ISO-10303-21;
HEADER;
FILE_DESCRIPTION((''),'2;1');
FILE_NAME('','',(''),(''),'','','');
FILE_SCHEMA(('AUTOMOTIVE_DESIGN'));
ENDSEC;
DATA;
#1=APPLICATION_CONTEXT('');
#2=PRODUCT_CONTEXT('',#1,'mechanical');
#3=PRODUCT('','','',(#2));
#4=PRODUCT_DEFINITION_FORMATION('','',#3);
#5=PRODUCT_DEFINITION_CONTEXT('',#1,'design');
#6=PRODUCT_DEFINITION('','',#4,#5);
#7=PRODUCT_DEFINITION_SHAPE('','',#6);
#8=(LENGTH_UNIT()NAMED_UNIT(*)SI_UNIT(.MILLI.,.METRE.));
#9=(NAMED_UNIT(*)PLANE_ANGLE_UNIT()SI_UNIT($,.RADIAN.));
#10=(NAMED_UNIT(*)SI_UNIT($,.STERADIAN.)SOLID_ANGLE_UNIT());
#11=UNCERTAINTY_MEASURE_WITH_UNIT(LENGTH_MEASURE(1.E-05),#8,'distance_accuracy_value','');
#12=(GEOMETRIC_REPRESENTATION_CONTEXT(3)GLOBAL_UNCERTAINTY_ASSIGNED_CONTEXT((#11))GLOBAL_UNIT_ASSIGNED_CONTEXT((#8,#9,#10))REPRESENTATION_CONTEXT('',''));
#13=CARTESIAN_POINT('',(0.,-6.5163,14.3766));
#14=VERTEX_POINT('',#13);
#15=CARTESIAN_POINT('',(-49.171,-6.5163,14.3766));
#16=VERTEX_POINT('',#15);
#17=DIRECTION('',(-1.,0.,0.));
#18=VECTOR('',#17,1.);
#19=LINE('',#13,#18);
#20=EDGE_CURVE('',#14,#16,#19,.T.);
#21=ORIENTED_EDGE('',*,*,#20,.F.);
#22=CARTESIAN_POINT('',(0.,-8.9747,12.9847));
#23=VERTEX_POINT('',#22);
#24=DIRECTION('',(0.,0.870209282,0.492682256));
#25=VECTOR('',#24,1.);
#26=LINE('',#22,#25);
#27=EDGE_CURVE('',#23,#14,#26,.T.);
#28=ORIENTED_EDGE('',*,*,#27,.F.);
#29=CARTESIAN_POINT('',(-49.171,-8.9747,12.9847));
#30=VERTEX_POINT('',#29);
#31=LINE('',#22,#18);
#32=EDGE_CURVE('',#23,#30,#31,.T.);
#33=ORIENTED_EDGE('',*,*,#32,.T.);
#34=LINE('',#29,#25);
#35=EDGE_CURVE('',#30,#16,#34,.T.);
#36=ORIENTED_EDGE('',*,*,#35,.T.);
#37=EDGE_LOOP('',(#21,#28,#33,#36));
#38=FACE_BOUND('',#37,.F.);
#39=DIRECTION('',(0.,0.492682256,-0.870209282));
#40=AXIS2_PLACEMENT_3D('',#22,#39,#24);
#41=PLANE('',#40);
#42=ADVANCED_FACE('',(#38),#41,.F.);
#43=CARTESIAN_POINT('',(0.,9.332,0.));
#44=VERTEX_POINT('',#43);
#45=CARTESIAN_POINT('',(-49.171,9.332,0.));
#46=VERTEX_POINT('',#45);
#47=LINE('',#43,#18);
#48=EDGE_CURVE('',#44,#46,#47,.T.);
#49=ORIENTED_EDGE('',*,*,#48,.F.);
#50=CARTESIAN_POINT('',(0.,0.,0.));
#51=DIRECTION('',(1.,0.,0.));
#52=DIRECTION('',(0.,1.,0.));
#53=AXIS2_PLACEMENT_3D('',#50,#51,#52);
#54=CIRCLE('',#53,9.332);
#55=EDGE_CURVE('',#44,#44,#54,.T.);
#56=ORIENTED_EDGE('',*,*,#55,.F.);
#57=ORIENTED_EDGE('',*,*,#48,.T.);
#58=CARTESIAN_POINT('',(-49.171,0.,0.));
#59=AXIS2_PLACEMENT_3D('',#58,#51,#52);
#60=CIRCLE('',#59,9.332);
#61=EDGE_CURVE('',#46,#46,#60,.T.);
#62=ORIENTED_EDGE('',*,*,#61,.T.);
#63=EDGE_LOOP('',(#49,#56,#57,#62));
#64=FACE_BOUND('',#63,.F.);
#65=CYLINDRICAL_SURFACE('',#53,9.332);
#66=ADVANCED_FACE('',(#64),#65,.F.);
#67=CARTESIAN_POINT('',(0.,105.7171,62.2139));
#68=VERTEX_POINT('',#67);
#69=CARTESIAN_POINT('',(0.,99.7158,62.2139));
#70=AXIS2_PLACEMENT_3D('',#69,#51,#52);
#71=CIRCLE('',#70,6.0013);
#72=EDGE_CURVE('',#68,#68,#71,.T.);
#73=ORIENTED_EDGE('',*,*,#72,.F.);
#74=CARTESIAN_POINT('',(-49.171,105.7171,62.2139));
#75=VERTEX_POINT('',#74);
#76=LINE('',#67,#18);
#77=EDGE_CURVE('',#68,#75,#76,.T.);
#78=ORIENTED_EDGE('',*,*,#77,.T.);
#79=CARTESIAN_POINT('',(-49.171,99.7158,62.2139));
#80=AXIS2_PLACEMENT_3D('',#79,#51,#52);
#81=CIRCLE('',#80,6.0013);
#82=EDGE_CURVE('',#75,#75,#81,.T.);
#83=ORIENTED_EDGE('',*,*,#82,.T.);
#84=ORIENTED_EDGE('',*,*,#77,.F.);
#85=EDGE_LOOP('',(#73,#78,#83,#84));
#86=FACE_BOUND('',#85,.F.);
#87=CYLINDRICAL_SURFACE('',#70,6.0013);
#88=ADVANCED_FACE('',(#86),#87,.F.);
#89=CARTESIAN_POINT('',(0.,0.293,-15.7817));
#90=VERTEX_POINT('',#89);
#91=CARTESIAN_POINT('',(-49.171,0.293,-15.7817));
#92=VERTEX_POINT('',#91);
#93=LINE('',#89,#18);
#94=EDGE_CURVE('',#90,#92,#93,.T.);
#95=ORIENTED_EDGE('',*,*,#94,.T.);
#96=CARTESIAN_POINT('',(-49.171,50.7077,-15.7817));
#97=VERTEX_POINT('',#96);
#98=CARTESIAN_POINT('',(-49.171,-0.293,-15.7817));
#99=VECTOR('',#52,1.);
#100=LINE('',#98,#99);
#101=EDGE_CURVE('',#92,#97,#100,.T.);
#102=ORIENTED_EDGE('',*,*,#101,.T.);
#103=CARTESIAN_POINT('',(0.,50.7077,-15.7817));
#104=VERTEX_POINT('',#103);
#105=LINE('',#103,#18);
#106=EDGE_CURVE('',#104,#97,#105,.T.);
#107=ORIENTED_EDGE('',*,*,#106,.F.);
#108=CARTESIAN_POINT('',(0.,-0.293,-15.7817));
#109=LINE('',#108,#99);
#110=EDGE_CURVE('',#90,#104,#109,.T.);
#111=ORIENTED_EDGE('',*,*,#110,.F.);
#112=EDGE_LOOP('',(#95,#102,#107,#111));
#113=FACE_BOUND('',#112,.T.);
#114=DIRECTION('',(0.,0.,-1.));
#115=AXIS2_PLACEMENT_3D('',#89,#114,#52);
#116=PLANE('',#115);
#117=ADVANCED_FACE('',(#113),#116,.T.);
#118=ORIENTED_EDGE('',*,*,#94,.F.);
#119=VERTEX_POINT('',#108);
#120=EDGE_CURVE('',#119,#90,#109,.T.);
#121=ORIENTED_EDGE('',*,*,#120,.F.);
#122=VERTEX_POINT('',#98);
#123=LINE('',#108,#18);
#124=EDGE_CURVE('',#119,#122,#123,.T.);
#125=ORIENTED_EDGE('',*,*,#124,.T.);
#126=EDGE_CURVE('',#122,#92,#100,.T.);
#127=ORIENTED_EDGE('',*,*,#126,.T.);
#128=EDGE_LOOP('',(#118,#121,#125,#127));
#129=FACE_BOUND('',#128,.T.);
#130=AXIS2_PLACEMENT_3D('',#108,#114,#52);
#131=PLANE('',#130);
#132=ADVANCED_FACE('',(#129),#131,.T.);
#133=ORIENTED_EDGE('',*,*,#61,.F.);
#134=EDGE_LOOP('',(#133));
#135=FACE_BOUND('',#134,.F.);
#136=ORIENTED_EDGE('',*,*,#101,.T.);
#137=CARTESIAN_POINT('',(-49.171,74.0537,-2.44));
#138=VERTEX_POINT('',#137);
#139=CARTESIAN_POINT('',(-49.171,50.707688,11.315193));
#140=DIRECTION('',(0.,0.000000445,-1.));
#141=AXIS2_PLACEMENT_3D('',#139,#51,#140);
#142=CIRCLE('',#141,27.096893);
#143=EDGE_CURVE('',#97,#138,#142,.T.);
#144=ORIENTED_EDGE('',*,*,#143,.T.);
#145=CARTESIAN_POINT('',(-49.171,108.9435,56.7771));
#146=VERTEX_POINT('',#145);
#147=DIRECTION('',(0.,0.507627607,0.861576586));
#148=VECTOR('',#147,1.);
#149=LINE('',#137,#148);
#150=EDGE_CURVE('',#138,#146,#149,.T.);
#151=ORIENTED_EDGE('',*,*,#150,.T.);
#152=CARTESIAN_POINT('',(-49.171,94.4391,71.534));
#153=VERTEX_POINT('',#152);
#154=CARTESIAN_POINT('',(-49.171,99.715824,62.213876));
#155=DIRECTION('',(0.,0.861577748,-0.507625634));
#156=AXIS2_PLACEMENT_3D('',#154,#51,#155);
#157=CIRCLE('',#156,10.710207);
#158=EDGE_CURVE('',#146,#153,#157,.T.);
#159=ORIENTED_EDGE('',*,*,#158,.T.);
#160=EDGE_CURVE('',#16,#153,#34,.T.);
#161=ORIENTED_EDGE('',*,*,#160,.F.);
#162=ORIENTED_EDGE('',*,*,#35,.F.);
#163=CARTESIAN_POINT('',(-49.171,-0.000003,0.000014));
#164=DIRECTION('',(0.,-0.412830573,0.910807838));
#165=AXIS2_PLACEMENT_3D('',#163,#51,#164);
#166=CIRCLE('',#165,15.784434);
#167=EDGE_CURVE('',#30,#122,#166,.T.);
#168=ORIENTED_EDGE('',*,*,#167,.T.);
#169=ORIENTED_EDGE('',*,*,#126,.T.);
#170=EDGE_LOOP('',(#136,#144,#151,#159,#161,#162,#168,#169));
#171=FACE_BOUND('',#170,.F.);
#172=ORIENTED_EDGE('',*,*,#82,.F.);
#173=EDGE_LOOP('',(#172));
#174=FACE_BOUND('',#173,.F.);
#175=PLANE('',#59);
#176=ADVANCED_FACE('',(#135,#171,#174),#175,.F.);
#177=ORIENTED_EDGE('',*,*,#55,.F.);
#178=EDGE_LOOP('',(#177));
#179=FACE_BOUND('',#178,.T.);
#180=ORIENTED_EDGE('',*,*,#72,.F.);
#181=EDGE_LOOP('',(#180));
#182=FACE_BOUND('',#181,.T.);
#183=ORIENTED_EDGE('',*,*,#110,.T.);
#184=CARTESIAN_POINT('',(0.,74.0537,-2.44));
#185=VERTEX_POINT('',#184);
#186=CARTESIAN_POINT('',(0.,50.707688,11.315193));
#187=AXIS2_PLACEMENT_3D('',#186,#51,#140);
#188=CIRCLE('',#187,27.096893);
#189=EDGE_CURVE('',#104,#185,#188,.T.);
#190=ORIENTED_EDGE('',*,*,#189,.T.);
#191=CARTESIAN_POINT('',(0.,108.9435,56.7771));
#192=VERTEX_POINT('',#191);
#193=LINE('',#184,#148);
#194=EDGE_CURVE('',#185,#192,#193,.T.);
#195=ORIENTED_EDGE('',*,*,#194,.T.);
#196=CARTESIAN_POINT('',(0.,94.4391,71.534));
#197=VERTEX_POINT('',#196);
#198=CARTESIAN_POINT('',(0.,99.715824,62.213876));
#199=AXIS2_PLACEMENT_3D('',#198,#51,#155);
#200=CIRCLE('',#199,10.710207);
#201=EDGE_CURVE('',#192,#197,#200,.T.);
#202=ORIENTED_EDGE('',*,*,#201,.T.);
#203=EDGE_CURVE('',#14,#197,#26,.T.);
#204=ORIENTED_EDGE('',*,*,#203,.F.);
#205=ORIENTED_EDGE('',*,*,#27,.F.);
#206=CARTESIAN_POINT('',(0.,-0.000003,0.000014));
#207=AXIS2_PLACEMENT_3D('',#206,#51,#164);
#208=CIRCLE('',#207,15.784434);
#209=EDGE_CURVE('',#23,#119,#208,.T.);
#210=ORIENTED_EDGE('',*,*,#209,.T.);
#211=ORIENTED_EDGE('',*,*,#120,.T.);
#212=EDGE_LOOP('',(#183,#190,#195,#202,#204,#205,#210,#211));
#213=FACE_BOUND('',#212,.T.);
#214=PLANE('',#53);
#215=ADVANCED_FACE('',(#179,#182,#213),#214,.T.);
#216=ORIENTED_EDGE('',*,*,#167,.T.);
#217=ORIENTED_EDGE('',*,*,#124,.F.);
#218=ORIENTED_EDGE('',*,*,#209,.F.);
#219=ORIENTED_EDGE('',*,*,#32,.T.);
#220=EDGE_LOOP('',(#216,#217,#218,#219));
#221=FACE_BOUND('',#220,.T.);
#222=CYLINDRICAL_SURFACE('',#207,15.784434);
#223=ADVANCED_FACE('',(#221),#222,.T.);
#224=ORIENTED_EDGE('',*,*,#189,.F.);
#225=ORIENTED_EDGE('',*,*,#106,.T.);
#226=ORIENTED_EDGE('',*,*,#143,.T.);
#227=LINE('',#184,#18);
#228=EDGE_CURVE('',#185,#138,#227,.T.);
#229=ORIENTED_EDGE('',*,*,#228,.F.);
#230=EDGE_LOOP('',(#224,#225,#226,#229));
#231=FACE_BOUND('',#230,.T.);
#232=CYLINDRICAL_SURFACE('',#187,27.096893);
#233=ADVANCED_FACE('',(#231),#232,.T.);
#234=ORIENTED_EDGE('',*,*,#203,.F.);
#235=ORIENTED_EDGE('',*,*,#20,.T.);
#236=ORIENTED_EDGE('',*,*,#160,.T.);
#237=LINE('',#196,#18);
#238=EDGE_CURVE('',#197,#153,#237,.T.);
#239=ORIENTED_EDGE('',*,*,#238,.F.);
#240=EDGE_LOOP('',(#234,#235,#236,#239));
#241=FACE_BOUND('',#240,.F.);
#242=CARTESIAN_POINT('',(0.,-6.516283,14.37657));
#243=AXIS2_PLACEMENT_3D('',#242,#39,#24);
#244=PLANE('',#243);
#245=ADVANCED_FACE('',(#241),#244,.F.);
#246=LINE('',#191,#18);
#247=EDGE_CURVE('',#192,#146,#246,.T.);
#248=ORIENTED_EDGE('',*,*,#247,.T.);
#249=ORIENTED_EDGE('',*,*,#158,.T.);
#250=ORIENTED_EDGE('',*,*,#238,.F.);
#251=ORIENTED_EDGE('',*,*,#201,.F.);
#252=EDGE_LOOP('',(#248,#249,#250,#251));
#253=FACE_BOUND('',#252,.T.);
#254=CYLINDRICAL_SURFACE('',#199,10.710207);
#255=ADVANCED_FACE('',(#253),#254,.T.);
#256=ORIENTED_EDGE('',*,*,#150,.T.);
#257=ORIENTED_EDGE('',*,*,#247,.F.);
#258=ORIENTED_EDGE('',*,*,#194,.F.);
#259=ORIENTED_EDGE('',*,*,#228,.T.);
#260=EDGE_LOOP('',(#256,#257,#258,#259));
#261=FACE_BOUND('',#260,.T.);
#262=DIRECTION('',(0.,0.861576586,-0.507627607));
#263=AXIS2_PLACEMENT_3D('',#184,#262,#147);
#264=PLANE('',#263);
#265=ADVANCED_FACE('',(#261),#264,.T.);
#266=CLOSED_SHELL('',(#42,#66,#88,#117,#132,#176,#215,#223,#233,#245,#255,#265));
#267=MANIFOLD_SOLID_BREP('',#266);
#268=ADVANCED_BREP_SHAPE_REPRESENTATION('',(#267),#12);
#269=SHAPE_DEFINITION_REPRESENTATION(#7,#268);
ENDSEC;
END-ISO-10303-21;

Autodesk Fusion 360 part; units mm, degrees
sketch "Sketch1" plane through (0, 0, 0) normal (1, 0, 0) x (0, 1, 0)
  circle A0 centre (0, 0) radius 9.332
  line L0 (-0.293, -15.7817) -> (50.7077, -15.7817)
  line L1 (74.0537, -2.44) -> (108.9435, 56.7771)
  line L2 (-8.9747, 12.9847) -> (94.4391, 71.534)
  arc A1 (50.7077, -15.7817) -> (74.0537, -2.44) centre (50.7077, 11.3152) ccw
  arc A2 (-6.5163, 14.3766) -> (0.293, -15.7817) centre (0, 0) ccw
  arc A3 (108.9435, 56.7771) -> (94.4391, 71.534) centre (99.7158, 62.2139) ccw
  circle A4 centre (99.7158, 62.2139) radius 6.0013
  dimension "d1" = 27.0969
  dimension "d3" = 15.7844
  dimension "d4" = 18.6641
  dimension "d5" = 12.0025
  dimension "d6" = 10.7102
  dimension "d7" = 59.494
  dimension "d8" = 29.517
  dimension "d12" = 77.9956
  dimension "d13" = 99.7158
  dimension "d16" = 118.8379
sketch "Sketch3" plane through (0, 0, 0) normal (1, 0, 0) x (0, 1, 0)
  line L0 (81.0105, 50.2421) -> (22.4827, 17.1057)
  line L1 (22.4827, 17.1057) -> (22.4827, -4.1678)
  line L2 (22.4827, -4.1678) -> (34.4677, -4.1678)
  line L3 (71.7994, 17.1664) -> (88.731, 45.9038)
  line L4 (88.731, 45.9038) -> (81.0105, 50.2421)
  arc A0 (34.4677, -4.1678) -> (71.7994, 17.1664) centre (34.4677, 39.1617) ccw
  dimension "d17" = 43.3295
extrude "Extrude1" add sketch "Sketch1" against normal blind 49.171 contours L0 L1 L2 A1 A2 A3
